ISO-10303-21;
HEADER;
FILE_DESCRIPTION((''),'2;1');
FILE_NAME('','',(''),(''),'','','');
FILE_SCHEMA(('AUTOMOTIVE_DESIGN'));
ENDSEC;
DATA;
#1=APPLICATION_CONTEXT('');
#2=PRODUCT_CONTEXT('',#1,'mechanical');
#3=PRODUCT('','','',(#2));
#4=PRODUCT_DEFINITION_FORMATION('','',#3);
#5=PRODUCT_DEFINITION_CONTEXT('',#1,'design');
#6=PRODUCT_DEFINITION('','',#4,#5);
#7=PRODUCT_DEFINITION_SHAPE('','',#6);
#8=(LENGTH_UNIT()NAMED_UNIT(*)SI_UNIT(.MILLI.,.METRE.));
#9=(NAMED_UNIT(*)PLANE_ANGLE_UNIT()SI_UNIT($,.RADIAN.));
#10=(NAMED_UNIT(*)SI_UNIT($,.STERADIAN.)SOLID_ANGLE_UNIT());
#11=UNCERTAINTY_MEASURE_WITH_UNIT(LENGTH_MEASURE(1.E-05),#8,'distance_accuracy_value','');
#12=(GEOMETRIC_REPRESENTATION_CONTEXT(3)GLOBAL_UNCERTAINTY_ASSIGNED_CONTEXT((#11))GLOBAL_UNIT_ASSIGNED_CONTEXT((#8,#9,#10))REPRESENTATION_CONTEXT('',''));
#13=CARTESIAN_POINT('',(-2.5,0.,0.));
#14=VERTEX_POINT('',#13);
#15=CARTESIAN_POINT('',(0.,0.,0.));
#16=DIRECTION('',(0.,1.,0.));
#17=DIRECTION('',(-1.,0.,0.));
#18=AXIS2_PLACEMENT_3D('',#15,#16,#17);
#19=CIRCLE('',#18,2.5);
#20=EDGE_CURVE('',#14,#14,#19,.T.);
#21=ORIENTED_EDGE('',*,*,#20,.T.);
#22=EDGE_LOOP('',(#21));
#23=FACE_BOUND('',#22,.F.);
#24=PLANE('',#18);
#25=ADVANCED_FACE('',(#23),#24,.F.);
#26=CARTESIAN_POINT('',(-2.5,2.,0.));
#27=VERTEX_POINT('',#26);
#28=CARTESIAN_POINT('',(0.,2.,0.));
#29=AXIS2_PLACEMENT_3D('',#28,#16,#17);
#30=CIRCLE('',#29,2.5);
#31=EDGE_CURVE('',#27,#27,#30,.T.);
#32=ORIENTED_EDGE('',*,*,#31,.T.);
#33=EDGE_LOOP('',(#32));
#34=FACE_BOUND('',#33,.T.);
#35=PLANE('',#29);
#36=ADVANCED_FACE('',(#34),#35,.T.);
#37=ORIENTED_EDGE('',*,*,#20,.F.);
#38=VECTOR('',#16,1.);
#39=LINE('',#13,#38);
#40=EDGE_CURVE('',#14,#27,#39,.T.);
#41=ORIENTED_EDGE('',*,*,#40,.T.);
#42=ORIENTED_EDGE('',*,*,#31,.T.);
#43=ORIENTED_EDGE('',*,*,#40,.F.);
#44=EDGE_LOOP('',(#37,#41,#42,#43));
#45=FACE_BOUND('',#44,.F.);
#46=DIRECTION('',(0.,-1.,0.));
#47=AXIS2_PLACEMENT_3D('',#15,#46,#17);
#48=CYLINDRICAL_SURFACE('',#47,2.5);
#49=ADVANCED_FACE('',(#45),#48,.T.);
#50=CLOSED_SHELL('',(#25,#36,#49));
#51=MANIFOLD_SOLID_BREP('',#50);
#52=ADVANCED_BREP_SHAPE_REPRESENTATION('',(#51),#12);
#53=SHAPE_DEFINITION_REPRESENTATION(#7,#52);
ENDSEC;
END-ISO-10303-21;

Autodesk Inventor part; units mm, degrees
ref_plane "YZ Plane" through (0, 0, 0) normal (1, 0, 0) x (0, 1, 0)
ref_plane "XZ Plane" through (0, 0, 0) normal (0, 1, 0) x (-1, 0, 0)
ref_plane "XY Plane" through (0, 0, 0) normal (0, 0, 1) x (1, 0, 0)
sketch "Sketch1" plane through (0, 0, 0) normal (0, 1, 0) x (-1, 0, 0)
  circle A0 centre (0, 0) radius 2.5
  dimension "d0" = 5
extrude "Extrusion1" add sketch "Sketch1" along normal blind 2
properties part number "Magnet"
